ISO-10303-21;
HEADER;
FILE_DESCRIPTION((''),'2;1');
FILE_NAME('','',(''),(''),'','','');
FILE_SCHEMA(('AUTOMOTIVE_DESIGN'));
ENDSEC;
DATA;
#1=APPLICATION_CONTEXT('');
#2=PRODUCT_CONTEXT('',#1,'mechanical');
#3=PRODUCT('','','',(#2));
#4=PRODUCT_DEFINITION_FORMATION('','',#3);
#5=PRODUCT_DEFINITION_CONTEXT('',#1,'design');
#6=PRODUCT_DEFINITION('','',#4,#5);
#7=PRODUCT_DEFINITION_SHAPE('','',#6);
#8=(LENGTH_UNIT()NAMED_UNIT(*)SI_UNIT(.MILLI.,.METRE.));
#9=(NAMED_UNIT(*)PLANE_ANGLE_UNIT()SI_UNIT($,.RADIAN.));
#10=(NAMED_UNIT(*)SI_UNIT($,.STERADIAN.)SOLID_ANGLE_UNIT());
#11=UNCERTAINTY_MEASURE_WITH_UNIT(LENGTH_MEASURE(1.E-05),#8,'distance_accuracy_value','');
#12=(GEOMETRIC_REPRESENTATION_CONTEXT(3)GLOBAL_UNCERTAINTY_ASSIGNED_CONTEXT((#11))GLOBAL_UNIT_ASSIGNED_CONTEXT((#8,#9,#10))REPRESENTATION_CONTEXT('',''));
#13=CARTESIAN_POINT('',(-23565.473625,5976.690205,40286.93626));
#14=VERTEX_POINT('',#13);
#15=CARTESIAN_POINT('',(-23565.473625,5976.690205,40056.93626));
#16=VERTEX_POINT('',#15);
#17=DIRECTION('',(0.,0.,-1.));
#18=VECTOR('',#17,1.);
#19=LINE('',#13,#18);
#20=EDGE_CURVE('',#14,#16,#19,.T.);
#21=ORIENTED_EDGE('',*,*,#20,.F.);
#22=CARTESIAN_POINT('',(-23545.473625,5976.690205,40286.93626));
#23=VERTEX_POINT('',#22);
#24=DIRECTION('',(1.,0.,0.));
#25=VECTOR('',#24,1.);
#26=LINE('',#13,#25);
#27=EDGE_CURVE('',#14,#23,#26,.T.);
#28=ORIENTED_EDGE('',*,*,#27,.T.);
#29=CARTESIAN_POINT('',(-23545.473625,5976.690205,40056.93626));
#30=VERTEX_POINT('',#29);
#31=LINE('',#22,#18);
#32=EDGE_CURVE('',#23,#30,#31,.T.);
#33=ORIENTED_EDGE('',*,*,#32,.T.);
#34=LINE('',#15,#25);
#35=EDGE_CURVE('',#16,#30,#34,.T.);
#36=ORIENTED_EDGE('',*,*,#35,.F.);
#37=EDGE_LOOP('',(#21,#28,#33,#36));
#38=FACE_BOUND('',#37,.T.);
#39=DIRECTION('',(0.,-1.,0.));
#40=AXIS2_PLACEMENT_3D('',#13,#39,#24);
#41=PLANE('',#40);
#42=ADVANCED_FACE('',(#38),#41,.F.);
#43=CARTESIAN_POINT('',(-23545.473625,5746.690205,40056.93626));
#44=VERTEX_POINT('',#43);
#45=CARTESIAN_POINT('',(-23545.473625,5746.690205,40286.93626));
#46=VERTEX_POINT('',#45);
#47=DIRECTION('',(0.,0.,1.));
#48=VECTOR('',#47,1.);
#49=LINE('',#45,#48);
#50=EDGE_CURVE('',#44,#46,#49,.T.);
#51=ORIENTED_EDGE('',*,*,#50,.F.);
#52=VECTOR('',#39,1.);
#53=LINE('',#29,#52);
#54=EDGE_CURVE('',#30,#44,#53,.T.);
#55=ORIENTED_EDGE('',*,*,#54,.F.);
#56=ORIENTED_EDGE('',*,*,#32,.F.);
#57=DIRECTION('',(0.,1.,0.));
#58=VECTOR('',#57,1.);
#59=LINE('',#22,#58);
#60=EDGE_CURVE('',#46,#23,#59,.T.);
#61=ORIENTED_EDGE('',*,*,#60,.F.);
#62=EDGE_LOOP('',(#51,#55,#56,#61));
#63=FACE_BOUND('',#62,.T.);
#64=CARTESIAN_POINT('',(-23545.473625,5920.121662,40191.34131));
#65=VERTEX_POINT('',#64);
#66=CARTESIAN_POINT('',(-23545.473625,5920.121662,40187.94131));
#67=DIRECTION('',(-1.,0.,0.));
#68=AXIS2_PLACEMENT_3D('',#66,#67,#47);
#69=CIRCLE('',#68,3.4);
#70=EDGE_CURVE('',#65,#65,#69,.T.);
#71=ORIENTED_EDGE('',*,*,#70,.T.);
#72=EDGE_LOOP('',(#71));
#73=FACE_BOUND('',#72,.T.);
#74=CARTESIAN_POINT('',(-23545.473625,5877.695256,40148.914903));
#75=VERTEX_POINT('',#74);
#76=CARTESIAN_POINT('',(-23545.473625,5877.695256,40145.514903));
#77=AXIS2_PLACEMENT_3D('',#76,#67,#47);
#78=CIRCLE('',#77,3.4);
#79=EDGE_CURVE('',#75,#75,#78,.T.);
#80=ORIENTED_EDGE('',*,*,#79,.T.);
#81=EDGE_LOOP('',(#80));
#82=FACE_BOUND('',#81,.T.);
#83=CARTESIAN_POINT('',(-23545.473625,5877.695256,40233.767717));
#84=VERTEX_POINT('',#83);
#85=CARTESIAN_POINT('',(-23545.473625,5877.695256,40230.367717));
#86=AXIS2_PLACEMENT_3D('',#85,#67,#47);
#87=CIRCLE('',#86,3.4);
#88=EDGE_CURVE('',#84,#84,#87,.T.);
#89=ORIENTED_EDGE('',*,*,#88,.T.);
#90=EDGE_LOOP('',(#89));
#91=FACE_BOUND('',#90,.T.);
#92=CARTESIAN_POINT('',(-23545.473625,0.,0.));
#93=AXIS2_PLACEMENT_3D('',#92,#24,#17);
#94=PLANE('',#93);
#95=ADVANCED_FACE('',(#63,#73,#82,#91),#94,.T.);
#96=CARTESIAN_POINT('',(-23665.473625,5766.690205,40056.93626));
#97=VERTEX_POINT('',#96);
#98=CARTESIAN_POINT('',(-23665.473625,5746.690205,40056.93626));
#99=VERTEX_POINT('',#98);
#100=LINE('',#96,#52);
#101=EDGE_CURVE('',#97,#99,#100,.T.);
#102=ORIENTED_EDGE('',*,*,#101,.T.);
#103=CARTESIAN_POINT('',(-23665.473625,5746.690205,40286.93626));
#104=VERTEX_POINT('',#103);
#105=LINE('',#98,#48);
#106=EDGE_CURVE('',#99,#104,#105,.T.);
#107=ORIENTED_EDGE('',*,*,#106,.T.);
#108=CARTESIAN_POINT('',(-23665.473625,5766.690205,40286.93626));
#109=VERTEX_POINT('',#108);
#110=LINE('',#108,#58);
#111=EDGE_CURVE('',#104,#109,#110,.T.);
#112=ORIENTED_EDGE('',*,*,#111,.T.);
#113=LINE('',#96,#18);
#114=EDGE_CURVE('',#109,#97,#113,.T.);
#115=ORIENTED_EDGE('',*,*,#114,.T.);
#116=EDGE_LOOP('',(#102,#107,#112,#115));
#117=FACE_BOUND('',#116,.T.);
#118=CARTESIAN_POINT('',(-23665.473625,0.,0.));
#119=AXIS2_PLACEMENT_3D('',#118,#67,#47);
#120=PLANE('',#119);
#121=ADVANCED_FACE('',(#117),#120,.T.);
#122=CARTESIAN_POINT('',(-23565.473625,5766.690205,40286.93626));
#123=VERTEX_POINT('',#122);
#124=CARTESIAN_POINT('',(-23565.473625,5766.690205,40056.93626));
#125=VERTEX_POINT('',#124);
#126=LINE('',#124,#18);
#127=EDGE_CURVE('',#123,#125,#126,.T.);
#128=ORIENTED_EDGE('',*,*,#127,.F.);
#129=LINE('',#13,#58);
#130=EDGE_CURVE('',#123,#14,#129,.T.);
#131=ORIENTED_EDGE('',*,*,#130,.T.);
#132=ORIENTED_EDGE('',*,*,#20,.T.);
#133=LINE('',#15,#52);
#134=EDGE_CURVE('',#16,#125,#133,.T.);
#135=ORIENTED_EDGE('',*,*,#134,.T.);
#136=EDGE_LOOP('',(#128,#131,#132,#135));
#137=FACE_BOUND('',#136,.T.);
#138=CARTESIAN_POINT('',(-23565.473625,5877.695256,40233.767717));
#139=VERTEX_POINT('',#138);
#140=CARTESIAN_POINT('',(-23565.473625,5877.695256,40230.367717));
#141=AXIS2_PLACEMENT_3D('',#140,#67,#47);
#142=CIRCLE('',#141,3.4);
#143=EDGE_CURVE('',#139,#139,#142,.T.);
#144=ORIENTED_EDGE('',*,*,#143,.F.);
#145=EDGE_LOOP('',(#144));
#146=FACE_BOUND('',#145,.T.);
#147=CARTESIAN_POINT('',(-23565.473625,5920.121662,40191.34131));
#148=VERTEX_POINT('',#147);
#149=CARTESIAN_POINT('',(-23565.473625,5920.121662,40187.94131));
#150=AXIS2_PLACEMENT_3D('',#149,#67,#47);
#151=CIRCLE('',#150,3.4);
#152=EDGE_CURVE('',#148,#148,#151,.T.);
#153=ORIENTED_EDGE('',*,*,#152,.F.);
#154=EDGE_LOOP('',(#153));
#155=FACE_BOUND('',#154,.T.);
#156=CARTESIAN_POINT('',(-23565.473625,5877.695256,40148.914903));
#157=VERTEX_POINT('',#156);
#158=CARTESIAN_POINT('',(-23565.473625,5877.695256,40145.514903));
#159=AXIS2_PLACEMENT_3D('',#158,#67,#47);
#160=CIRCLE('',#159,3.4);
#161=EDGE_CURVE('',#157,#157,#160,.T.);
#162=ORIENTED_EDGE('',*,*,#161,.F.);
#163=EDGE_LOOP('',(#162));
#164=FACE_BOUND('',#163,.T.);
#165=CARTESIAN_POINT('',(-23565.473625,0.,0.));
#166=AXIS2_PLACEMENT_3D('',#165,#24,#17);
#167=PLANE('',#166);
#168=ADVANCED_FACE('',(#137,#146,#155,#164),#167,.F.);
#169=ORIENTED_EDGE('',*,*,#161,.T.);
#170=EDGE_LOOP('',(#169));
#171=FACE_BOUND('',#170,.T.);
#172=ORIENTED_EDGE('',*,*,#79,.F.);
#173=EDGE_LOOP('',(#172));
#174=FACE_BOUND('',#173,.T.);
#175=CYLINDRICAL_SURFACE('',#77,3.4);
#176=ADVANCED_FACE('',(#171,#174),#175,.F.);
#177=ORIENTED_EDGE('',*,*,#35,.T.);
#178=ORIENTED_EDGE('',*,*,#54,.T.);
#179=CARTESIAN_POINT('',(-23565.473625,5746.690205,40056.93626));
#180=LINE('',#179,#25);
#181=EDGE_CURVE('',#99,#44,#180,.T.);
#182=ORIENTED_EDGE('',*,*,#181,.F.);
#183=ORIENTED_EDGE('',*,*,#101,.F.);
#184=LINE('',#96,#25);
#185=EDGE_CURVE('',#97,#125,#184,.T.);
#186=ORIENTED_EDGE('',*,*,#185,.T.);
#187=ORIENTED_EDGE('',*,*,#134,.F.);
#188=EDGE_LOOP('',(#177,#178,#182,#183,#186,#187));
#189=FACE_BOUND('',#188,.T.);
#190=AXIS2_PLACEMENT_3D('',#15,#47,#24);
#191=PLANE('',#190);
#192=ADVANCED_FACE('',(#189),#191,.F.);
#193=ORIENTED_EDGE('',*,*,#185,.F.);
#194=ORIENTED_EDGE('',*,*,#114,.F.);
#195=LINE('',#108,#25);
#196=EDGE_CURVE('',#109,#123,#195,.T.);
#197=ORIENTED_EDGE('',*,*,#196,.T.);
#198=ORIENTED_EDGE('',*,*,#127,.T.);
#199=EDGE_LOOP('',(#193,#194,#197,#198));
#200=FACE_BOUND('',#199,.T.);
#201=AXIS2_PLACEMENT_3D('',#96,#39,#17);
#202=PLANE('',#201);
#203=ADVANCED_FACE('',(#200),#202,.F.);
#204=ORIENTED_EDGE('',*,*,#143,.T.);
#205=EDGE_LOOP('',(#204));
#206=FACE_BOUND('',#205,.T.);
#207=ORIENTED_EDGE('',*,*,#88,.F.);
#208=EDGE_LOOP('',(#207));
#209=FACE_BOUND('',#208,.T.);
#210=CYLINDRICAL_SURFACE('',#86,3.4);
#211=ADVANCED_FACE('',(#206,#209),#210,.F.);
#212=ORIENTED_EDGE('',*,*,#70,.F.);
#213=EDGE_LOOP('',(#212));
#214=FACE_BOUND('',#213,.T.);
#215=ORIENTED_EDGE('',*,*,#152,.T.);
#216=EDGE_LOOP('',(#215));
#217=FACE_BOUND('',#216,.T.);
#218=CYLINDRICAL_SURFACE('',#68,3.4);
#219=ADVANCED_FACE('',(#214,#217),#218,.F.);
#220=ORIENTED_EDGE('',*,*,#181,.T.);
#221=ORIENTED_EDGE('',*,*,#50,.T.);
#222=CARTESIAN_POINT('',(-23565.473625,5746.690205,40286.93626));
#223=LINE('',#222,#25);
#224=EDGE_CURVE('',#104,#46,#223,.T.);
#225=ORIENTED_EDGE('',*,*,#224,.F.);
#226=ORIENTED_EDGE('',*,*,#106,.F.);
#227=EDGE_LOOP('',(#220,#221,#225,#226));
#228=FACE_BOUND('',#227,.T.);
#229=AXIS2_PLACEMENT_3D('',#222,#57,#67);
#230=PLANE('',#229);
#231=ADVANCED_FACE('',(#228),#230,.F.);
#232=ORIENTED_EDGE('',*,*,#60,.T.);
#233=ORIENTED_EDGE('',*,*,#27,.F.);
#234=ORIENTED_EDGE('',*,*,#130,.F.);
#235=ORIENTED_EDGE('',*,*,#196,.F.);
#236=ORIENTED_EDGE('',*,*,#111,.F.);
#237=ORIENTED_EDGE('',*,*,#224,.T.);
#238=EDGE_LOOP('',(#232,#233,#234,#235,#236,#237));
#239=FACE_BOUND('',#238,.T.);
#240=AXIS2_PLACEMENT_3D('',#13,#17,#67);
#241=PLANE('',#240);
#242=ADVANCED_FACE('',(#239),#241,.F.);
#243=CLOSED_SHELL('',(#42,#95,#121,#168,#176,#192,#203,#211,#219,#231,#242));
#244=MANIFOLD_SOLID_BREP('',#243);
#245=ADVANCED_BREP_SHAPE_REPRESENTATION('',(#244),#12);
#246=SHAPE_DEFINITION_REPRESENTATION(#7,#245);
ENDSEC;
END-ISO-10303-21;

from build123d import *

# Parameters (mm, degrees)
SKETCH1_W           = 230
SKETCH1_H           = 230
BOSS_EXTRUDE1_DEPTH = 20
SKETCH2_R           = 3.4
CUT_EXTRUDE1_DEPTH  = 21
SKETCH3_W           = 230
SKETCH3_H           = 20
BOSS_EXTRUDE2_DEPTH = 100


with BuildPart() as part:
    # Sketch1 → Boss-Extrude1 (new body)
    with BuildSketch(Plane.ZY.offset(23545.4736246)):
        with Locations((40171.936259601, 5861.690204874)):
            Rectangle(SKETCH1_W, SKETCH1_H)
    extrude(amount=BOSS_EXTRUDE1_DEPTH)

    # Sketch2 → Cut-Extrude1 (cut, through all)
    with BuildSketch(Plane.ZY.offset(23565.4736246)):
        with Locations((40187.941310235, 5920.121662379)):
            Circle(SKETCH2_R)
        with Locations((40230.367717106, 5877.695255508)):
            Circle(SKETCH2_R)
        with Locations((40145.514903364, 5877.695255508)):
            Circle(SKETCH2_R)
    extrude(amount=-CUT_EXTRUDE1_DEPTH, mode=Mode.SUBTRACT)

    # Sketch3 → Boss-Extrude2 (add)
    with BuildSketch(Plane.ZY.offset(23565.4736246)):
        with Locations((40171.936259601, 5756.690204874)):
            Rectangle(SKETCH3_W, SKETCH3_H)
    extrude(amount=BOSS_EXTRUDE2_DEPTH)


solid = part.part
